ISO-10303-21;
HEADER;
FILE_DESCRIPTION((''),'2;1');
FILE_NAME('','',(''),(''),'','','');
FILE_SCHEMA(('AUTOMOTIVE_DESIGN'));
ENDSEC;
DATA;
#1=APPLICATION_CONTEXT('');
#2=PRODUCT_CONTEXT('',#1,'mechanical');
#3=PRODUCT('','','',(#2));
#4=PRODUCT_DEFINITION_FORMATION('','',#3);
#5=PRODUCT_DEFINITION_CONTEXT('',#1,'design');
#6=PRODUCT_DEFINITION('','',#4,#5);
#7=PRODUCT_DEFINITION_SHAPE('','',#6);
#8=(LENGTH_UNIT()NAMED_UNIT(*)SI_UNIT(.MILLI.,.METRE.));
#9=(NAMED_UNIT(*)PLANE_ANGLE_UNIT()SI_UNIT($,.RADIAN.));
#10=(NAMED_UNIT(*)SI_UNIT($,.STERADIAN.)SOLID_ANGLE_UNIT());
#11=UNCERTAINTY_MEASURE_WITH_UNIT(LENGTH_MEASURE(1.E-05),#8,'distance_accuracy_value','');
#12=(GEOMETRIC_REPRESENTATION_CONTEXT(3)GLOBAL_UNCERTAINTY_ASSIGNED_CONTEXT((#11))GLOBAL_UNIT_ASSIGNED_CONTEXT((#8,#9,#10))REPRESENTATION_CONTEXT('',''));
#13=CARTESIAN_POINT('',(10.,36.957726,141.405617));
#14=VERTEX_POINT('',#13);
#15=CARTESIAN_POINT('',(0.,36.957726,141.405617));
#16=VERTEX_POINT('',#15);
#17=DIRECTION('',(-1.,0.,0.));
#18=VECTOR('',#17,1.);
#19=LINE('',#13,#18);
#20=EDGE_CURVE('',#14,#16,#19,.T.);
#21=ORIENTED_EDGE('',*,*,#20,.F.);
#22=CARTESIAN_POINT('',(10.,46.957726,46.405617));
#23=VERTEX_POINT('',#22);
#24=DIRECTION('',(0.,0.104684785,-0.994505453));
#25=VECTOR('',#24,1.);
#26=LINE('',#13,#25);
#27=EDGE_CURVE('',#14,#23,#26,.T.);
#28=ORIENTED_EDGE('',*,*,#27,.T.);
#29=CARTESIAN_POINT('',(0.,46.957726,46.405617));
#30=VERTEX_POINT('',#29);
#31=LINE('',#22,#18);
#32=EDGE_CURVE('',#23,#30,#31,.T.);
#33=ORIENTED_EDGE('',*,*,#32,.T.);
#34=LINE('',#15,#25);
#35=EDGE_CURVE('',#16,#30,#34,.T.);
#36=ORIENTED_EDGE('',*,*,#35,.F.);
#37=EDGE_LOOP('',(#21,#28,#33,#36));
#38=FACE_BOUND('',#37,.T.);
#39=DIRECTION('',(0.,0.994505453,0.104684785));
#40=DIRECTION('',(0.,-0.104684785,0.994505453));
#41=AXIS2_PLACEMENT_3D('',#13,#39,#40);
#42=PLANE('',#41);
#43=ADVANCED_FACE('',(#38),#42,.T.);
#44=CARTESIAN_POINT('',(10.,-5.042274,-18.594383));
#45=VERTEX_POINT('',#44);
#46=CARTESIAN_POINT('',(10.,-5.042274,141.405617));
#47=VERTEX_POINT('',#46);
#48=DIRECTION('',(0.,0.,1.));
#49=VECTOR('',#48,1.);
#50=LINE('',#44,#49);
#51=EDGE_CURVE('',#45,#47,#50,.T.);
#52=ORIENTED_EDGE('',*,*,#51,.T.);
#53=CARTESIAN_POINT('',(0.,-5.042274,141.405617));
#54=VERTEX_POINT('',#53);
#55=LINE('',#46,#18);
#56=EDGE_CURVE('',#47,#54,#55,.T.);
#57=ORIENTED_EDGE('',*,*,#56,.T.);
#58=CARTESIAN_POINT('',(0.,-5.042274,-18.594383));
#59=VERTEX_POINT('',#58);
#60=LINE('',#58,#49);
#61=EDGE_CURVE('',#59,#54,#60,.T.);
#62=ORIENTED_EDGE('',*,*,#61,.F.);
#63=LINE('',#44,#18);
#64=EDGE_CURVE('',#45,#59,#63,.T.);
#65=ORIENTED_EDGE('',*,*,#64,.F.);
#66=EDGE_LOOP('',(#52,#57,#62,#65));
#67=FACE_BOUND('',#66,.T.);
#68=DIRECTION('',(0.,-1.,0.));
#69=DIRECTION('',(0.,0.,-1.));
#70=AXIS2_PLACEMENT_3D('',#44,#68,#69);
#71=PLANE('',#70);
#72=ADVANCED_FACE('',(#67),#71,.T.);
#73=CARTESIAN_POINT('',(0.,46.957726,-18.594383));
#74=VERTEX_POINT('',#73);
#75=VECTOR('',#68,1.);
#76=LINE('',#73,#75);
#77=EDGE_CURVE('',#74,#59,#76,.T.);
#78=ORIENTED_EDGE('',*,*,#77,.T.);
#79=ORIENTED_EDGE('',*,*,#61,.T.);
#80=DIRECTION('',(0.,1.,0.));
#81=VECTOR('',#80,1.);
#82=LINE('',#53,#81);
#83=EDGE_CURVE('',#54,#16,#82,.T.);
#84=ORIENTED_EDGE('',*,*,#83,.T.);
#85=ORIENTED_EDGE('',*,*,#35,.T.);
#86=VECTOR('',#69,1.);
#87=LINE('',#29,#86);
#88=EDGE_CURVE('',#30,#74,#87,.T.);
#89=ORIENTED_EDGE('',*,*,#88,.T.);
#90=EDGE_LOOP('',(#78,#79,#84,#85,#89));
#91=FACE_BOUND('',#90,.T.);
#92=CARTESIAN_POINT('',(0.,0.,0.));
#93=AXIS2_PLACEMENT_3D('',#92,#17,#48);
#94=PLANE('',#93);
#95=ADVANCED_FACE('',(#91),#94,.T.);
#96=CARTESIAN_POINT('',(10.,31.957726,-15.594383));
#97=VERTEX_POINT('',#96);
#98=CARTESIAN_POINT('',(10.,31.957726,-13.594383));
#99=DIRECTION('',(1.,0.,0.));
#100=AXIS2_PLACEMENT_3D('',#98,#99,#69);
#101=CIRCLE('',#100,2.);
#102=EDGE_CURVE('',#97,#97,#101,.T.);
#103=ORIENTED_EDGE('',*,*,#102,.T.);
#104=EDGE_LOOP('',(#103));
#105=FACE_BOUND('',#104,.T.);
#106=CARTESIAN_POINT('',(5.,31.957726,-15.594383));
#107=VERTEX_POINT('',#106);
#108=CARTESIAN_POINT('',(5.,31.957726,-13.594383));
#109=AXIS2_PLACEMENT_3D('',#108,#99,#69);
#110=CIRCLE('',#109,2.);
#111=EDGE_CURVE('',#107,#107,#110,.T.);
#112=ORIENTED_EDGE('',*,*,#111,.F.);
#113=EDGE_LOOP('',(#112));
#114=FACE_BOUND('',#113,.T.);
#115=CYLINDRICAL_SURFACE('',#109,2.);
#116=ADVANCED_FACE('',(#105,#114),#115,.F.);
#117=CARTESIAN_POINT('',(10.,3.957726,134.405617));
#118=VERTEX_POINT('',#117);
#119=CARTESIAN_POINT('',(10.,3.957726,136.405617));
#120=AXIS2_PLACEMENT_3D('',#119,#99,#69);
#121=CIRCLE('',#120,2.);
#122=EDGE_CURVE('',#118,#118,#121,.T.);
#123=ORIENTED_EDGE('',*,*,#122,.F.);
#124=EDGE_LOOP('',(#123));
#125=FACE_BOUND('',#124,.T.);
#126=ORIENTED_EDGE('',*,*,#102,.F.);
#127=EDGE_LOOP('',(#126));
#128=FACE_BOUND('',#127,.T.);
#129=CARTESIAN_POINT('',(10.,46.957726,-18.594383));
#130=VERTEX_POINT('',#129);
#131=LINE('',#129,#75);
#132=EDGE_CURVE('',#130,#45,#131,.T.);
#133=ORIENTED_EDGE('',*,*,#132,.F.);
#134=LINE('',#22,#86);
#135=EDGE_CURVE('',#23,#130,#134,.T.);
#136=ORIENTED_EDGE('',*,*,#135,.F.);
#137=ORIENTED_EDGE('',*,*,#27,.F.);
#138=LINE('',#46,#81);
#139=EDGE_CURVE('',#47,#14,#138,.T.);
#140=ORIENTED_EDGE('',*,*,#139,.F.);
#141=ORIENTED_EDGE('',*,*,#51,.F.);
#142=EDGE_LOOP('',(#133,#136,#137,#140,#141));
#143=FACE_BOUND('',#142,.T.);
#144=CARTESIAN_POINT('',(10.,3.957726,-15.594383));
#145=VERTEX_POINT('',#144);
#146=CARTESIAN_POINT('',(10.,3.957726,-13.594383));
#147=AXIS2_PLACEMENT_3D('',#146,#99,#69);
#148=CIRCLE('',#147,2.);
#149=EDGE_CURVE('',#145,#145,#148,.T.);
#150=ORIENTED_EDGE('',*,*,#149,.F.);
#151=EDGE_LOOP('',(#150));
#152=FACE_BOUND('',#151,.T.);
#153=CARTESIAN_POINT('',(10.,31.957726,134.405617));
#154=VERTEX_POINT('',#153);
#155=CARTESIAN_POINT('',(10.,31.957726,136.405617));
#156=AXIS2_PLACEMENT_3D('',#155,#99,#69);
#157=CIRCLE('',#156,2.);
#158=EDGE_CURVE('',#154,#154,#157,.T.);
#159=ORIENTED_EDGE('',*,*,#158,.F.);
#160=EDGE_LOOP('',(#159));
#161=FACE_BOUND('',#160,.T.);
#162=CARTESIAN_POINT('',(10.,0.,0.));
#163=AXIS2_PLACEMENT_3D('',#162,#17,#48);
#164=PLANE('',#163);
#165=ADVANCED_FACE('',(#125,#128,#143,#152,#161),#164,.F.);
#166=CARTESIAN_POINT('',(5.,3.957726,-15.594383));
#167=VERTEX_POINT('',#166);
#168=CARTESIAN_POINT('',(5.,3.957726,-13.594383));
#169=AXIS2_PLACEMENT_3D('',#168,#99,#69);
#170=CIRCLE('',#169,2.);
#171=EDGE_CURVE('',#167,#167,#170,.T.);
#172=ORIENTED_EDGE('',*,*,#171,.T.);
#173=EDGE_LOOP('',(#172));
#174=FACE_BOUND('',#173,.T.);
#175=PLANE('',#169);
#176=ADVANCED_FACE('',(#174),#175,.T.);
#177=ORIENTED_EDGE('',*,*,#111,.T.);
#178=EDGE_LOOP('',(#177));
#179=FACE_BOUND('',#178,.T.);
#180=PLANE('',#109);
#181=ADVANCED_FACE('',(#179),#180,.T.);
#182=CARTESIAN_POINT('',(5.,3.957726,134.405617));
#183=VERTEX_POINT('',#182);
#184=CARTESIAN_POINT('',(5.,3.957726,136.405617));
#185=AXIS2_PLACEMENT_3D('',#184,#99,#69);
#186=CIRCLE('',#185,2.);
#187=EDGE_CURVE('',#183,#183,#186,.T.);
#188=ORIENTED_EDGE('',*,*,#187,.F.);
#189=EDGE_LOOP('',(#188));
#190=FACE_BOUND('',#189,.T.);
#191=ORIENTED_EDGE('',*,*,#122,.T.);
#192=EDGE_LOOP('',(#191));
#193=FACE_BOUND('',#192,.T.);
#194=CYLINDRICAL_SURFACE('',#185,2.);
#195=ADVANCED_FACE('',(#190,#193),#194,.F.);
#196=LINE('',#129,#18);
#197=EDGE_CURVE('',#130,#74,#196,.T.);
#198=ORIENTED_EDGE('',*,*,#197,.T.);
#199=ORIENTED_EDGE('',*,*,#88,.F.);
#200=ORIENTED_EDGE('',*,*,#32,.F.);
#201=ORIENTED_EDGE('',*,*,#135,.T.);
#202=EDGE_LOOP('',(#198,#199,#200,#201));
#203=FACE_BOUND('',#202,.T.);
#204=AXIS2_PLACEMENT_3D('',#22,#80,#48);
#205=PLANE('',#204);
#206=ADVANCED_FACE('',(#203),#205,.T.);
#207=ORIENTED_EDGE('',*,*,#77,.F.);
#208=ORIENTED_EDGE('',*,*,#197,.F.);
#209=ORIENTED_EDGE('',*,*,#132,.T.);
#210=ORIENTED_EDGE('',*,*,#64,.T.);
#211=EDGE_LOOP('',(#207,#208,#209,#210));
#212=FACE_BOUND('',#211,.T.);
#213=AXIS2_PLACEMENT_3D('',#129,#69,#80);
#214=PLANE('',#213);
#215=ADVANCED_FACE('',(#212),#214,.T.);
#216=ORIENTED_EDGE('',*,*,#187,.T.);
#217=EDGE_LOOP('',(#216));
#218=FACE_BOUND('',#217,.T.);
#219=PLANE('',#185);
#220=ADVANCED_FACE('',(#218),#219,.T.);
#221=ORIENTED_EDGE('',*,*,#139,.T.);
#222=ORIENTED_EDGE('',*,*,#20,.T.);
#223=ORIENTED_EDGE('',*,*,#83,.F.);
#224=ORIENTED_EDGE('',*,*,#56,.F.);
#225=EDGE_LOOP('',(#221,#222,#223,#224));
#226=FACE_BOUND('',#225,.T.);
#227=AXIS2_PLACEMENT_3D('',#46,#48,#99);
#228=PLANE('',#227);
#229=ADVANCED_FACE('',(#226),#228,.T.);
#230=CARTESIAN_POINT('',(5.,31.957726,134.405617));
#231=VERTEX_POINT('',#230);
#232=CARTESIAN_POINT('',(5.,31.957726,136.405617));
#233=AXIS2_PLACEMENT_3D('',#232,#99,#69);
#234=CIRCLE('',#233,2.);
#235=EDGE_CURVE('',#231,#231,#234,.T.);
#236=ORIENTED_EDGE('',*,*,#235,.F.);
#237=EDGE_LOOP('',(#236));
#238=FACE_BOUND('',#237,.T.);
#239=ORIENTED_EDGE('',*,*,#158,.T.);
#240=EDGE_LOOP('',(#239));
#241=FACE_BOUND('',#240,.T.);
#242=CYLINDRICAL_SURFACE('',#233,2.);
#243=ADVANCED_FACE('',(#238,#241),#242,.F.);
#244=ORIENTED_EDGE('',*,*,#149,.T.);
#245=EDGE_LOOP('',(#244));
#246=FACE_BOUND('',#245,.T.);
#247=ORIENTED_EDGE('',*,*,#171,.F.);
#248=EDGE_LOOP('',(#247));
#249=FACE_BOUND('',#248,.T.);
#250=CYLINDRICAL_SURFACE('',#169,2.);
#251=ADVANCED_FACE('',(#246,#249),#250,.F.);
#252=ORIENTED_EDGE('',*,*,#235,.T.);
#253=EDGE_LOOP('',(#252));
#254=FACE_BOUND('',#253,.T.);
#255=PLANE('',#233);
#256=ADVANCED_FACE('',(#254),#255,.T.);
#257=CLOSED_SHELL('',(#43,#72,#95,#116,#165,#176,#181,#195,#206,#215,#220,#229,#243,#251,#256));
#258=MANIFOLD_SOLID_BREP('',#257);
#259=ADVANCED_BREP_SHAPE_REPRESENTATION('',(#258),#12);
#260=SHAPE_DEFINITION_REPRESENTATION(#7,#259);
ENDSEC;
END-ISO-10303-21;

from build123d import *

# Parameters (mm, degrees)
BOSS_EXTRUDE1_DEPTH = 10
SKETCH4_R           = 2
CUT_EXTRUDE1_DEPTH  = 5


with BuildPart() as part:
    # Sketch3 → Boss-Extrude1 (new body)
    with BuildSketch(Plane(origin=(0, 0, 0), x_dir=(0, 0, -1), z_dir=(1, 0, 0))):
        Polygon((18.594382672, 46.957725761), (18.594382672, -5.042274239), (-141.405617328, -5.042274239), (-141.405617328, 36.957725761), (-46.405617328, 46.957725761), align=None)
    extrude(amount=BOSS_EXTRUDE1_DEPTH)

    # Sketch4 → Cut-Extrude1 (cut)
    with BuildSketch(Plane(origin=(10, 0, 0), x_dir=(0, 0, -1), z_dir=(1, 0, 0))):
        with Locations((-136.405617328, 31.957725761)):
            Circle(SKETCH4_R)
        with Locations((-136.405617328, 3.957725761)):
            Circle(SKETCH4_R)
        with Locations((13.594382672, 3.957725761)):
            Circle(SKETCH4_R)
        with Locations((13.594382672, 31.957725761)):
            Circle(SKETCH4_R)
    extrude(amount=-CUT_EXTRUDE1_DEPTH, mode=Mode.SUBTRACT)


solid = part.part
